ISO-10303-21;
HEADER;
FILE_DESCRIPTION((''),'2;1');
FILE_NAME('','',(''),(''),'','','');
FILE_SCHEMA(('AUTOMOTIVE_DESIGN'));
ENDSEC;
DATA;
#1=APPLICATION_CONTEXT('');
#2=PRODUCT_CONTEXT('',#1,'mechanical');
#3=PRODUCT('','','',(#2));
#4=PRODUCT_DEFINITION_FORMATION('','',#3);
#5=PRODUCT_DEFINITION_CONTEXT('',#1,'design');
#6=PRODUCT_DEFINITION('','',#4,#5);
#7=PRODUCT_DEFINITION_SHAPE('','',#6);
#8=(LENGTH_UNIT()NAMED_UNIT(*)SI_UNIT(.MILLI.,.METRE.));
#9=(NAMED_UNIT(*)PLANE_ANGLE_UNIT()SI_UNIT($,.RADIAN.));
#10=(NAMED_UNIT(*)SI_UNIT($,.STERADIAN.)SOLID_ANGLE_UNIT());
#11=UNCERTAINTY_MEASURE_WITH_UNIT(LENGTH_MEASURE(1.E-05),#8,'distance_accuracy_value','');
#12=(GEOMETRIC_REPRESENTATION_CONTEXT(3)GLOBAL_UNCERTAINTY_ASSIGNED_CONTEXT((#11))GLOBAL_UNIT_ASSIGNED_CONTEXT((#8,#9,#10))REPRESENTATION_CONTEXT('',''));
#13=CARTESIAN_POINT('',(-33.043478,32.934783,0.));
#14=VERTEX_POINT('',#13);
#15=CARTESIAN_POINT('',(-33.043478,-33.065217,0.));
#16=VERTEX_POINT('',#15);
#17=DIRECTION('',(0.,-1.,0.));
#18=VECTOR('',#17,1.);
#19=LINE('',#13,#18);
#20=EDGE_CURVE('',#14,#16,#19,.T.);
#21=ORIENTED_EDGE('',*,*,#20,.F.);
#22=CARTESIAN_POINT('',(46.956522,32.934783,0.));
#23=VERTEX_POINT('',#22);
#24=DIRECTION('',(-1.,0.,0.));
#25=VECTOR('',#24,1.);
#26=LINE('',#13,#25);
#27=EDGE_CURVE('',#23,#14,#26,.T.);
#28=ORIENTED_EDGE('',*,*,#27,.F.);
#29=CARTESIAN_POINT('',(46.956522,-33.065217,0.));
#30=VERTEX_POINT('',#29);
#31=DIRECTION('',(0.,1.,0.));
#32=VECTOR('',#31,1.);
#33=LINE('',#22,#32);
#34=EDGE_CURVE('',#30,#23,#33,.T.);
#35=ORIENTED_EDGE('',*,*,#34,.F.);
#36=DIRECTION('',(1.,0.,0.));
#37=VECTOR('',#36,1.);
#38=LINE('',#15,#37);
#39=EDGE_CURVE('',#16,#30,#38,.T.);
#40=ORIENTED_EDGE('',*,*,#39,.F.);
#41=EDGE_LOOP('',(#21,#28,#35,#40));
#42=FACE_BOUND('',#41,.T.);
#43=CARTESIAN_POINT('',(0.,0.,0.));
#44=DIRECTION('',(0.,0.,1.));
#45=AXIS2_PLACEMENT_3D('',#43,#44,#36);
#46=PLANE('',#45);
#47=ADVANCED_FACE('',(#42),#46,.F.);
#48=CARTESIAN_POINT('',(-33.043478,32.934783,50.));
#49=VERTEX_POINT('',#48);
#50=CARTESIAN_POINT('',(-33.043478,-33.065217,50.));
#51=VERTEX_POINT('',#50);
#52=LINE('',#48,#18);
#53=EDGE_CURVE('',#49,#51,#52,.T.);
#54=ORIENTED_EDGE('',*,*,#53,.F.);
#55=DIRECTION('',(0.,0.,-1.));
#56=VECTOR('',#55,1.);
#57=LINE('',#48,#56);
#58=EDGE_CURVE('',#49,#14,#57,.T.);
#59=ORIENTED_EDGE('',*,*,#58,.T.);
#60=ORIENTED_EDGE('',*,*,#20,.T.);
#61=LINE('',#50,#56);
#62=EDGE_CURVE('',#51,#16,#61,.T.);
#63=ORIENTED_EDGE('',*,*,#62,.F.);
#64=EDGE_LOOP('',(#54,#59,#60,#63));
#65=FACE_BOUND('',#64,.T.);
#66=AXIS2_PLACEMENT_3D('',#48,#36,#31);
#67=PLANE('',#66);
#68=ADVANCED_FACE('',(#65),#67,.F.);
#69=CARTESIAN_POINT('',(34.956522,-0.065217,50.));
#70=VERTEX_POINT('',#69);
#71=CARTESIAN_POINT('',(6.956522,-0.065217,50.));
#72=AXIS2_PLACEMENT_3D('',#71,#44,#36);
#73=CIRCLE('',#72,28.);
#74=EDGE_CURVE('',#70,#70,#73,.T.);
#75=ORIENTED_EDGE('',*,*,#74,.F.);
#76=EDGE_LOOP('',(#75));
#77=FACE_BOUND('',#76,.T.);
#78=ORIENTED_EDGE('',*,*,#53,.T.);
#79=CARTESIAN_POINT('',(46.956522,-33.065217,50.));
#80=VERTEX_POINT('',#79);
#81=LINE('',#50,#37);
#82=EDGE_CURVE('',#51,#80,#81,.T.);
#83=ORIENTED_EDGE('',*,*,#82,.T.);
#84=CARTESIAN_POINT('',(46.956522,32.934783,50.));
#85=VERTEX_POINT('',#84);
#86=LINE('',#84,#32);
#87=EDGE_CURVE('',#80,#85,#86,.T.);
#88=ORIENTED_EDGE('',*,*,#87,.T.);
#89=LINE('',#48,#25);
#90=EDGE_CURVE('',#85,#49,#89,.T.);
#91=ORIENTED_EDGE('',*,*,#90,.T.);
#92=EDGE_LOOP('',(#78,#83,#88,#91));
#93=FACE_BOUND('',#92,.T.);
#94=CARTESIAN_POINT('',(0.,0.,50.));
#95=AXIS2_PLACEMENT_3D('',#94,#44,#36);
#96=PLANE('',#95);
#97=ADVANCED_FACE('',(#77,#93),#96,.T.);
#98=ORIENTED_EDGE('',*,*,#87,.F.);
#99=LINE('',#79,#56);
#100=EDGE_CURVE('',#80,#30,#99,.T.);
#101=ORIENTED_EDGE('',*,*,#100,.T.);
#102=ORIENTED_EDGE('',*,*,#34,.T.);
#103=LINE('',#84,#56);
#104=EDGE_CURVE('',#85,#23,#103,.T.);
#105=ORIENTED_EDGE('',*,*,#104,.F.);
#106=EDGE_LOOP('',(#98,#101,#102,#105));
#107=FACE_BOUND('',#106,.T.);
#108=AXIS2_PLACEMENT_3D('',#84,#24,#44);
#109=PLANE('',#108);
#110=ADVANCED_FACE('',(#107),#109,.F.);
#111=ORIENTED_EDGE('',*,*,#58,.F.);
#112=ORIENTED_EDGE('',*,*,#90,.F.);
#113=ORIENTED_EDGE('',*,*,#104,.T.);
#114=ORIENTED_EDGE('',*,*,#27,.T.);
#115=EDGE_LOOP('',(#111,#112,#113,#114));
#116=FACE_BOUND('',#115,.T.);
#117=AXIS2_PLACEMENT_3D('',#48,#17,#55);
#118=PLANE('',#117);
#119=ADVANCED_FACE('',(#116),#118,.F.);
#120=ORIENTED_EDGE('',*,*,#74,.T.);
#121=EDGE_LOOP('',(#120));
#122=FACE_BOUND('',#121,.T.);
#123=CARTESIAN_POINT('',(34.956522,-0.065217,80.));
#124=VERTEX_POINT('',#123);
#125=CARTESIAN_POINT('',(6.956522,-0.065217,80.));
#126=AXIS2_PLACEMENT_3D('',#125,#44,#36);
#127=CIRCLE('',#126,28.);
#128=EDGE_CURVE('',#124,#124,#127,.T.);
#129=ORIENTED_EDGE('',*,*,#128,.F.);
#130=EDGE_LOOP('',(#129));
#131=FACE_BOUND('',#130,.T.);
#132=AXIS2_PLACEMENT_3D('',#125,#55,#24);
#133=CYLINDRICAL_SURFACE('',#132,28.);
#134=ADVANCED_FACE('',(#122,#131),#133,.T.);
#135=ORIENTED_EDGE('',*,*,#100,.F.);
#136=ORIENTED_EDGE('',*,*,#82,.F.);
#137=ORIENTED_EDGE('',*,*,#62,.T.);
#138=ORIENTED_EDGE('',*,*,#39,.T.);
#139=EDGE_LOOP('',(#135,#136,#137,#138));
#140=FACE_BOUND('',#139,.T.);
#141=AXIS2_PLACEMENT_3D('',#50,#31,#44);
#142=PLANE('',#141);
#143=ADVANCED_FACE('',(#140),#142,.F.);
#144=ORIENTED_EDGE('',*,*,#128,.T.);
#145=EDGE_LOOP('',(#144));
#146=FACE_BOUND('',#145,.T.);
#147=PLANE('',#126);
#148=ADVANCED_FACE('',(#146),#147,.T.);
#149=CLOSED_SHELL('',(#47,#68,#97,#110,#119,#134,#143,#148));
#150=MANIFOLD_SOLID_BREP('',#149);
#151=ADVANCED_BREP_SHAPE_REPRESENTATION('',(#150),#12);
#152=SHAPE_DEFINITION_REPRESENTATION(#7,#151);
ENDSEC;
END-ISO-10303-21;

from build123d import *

# Parameters (mm, degrees)
SKETCH2_W           = 80
SKETCH2_H           = 66
BOSS_EXTRUDE2_DEPTH = 50
SKETCH4_R           = 28
BOSS_EXTRUDE3_DEPTH = 30


with BuildPart() as part:
    # Sketch2 → Boss-Extrude2 (new body)
    with BuildSketch(Plane.XY):
        with Locations((6.956521739, -0.065217391)):
            Rectangle(SKETCH2_W, SKETCH2_H)
    extrude(amount=BOSS_EXTRUDE2_DEPTH)

    # Sketch4 → Boss-Extrude3 (add)
    with BuildSketch(Plane.XY.offset(50)):
        with Locations((6.956521739, -0.065217391)):
            Circle(SKETCH4_R)
    extrude(amount=BOSS_EXTRUDE3_DEPTH)


solid = part.part
